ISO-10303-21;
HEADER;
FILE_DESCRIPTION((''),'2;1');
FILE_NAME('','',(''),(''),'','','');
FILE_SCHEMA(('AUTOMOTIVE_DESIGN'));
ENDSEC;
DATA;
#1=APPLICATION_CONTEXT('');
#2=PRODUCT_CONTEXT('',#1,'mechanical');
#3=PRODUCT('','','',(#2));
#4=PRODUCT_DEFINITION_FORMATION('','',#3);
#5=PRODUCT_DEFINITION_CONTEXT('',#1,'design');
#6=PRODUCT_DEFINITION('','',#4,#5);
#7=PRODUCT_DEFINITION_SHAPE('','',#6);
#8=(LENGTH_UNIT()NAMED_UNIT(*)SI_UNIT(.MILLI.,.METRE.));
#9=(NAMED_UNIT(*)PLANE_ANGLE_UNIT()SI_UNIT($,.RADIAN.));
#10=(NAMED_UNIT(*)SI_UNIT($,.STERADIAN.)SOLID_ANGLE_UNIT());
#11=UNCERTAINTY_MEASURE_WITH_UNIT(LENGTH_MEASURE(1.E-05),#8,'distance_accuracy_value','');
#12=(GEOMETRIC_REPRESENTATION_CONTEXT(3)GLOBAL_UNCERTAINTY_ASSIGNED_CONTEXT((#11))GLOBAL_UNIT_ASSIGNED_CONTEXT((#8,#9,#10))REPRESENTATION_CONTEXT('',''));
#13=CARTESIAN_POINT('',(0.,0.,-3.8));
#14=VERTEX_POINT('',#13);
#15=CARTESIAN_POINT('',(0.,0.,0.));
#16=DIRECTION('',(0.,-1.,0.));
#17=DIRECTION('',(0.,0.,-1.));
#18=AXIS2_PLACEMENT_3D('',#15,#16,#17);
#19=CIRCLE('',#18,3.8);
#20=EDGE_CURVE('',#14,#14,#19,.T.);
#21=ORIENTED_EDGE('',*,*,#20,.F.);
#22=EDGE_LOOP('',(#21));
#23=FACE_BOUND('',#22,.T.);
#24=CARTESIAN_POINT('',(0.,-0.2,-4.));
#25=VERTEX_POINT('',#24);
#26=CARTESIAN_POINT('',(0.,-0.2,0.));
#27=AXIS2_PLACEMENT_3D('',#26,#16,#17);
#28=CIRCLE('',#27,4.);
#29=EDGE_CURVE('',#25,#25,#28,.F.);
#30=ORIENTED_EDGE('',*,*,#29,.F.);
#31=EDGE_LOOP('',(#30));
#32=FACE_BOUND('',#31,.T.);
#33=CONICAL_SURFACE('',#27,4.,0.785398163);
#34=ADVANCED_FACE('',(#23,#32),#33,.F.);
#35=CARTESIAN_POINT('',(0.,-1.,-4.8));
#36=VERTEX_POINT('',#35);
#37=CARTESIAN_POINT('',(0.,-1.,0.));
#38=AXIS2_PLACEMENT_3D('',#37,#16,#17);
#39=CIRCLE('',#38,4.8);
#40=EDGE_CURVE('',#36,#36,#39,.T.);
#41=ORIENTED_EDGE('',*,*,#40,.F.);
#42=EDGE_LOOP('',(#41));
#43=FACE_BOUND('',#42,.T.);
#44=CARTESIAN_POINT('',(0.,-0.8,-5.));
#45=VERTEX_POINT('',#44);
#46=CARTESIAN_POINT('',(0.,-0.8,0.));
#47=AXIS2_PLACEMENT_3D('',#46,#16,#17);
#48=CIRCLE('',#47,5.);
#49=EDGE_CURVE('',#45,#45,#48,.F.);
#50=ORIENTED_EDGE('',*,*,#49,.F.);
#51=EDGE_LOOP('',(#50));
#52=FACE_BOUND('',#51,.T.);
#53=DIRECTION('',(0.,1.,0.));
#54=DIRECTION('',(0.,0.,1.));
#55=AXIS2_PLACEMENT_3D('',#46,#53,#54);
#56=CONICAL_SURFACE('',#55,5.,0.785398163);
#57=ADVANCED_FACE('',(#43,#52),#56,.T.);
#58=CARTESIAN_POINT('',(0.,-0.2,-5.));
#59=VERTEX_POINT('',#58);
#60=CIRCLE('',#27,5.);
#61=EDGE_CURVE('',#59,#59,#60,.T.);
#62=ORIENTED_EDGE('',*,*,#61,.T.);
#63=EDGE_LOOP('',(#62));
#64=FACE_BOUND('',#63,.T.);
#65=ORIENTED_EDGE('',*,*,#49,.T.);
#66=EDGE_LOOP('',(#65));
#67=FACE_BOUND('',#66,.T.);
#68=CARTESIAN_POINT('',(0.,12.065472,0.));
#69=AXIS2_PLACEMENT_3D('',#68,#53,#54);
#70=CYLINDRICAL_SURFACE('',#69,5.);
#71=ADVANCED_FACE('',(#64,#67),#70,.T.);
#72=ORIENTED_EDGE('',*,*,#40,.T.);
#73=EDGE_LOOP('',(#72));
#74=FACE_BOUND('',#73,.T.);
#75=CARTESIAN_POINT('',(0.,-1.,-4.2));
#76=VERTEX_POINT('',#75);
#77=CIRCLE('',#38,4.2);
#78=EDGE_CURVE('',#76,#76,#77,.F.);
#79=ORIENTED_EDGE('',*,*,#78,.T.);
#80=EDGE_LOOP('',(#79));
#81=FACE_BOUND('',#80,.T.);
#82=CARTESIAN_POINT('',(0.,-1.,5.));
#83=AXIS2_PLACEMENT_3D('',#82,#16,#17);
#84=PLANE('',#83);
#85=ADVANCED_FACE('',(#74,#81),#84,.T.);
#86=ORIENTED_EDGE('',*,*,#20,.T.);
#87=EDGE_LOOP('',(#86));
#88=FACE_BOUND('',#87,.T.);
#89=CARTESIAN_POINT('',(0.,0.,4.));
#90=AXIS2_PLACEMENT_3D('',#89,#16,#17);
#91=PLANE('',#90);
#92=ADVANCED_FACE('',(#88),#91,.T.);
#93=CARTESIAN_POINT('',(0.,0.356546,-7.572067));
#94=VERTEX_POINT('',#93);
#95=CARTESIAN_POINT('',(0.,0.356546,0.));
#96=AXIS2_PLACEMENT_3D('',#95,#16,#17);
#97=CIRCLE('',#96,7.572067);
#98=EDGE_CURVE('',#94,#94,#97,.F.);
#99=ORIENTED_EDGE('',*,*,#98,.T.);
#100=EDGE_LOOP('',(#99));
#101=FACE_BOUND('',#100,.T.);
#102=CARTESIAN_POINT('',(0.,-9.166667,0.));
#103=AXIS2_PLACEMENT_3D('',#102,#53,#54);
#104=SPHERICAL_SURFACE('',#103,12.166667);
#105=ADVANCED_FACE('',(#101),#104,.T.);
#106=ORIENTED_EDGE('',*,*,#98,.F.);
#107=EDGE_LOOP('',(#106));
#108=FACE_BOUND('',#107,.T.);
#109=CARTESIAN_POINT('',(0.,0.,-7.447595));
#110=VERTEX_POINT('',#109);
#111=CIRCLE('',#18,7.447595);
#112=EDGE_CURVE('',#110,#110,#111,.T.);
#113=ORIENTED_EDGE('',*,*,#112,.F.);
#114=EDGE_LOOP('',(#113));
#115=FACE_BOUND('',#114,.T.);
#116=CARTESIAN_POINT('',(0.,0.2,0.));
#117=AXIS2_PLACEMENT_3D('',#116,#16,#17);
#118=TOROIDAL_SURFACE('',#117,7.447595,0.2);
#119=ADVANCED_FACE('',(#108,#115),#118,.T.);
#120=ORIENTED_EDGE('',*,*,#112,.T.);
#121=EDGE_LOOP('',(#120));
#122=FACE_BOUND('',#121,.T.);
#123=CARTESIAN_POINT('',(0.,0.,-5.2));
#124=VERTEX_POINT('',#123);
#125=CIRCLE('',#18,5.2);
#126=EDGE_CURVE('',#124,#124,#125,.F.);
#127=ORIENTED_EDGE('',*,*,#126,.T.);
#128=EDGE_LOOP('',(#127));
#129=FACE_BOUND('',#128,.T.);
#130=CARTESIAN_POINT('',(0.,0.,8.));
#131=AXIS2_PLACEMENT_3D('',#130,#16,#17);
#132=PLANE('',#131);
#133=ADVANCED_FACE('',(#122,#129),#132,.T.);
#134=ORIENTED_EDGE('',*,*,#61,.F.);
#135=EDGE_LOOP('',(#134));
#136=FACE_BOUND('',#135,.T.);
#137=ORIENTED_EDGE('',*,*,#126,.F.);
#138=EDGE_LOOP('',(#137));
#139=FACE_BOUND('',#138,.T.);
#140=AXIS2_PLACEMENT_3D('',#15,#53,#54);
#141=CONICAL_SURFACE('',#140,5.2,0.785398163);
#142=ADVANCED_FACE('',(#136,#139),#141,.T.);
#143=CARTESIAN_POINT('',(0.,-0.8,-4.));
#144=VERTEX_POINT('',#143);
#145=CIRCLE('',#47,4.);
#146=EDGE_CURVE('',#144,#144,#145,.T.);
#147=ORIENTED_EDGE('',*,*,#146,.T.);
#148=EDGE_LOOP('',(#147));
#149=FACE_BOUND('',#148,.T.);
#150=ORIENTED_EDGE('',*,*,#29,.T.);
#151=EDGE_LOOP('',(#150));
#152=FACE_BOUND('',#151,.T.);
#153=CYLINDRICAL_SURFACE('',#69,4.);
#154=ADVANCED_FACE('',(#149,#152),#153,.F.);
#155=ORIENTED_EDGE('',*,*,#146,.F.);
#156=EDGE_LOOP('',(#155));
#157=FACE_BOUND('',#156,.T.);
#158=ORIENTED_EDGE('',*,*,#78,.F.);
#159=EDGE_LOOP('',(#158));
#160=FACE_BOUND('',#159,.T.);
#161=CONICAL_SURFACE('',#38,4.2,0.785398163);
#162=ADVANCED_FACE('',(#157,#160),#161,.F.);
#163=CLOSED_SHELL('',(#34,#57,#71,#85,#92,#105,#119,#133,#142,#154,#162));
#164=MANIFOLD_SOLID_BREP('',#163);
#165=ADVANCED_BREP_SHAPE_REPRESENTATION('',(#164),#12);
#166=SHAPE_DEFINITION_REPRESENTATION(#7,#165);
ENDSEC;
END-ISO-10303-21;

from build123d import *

# Parameters (mm, degrees)
VERRUNDUNG1_R = 0.2
FASE1_SIZE    = 0.2


with BuildPart() as part:
    # Skizze1 → Rotation1 (revolve)
    with BuildSketch(Plane(origin=(0, 0, 0), x_dir=(0, 0, -1), z_dir=(1, 0, 0))):
        with BuildLine():
            Line((-8, 0), (-5, 0))
            Line((-5, 0), (-5, -1))
            Line((-5, -1), (-4, -1))
            Line((-4, -1), (-4, 0))
            Line((-4, 0), (0, 0))
            Line((0, 0), (0, 3))
            ThreePointArc((0, 3), (-4.272001873, 2.225338327), (-8, 0))
        make_face()
    revolve(axis=Axis((0, 12.065472466, 0), (0, -1, 0)))

    # Verrundung1
    verrundung1_edges = [part.edges().sort_by_distance(p)[0] for p in [
        (0, 0, -8),
    ]]
    fillet(verrundung1_edges, radius=VERRUNDUNG1_R)

    # Fase1
    fase1_edges = [part.edges().sort_by_distance(p)[0] for p in [
        (0, 0, -5),
        (0, -1, -5),
        (0, -1, -4),
        (0, 0, -4),
    ]]
    chamfer(fase1_edges, length=FASE1_SIZE)


solid = part.part
